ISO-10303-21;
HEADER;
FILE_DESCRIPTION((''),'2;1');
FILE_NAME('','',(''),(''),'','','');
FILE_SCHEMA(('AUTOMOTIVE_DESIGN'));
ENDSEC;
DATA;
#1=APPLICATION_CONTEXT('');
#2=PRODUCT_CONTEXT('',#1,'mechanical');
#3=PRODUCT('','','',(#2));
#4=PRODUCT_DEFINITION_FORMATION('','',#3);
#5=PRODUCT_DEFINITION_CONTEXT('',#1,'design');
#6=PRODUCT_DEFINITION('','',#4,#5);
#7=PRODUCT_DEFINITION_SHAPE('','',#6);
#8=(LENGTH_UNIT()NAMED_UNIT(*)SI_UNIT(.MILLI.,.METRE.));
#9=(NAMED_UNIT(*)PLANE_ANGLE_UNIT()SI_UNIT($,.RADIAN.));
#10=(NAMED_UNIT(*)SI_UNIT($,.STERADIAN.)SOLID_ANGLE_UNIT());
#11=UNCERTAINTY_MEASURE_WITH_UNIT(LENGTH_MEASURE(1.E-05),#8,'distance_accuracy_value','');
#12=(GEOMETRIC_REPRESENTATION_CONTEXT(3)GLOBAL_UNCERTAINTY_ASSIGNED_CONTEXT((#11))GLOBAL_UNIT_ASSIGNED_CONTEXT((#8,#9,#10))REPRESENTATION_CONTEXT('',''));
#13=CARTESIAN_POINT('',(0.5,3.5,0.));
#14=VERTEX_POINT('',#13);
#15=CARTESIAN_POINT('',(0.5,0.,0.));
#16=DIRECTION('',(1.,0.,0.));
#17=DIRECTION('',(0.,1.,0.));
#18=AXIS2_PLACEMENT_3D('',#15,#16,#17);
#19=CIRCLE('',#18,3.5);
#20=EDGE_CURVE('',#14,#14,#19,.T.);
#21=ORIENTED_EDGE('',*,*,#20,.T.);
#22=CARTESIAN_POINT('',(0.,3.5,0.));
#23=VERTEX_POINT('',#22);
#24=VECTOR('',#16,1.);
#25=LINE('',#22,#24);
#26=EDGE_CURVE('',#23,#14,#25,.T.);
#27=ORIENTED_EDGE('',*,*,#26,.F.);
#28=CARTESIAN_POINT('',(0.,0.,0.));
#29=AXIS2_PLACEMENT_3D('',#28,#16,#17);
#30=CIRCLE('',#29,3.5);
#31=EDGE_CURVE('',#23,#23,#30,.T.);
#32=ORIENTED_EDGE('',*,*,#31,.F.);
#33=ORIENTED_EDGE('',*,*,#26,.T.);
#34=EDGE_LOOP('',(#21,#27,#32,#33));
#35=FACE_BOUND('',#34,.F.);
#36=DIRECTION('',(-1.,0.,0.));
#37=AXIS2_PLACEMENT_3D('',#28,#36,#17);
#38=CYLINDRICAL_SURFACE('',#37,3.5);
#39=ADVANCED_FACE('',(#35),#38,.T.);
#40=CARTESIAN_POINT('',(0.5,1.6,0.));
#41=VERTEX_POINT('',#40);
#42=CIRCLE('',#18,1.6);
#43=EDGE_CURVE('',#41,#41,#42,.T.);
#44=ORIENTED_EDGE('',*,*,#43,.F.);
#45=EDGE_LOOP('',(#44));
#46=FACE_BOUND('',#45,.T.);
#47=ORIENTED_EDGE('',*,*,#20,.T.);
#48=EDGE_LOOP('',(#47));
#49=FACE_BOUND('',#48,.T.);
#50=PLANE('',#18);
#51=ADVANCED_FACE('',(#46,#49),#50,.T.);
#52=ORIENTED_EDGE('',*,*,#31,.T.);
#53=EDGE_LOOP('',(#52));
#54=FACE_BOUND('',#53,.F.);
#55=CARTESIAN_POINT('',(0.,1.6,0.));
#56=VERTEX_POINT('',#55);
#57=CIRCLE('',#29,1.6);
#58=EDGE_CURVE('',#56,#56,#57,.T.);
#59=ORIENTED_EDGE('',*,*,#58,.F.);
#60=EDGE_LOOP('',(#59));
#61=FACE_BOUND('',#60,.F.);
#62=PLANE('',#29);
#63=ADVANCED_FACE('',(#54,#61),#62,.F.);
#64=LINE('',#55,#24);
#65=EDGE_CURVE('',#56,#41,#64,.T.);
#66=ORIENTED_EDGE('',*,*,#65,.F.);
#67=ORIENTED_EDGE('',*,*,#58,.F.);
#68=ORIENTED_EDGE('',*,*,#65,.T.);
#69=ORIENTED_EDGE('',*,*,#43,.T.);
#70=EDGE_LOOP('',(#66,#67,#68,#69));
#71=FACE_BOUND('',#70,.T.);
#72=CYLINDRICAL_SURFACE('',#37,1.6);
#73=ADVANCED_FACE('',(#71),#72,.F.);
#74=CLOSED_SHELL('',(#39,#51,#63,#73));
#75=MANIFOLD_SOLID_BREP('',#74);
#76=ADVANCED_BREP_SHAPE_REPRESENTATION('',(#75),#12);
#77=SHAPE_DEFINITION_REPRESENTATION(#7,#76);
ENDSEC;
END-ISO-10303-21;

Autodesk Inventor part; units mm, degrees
ref_plane "YZ Plane" through (0, 0, 0) normal (1, 0, 0) x (0, 1, 0)
ref_plane "XZ Plane" through (0, 0, 0) normal (0, 1, 0) x (-1, 0, 0)
sketch "Sketch" plane through (0, 0, 0) normal (1, 0, 0) x (0, 1, 0)
  circle A0 centre (0, 0) radius 3.5
  circle A1 centre (0, 0) radius 1.6
  dimension "d0" = 3.2
  dimension "d1" = 7
extrude "Body" add sketch "Sketch" along normal blind 0.5
ref_plane "Work Plane1" through (0, 0, 0) normal (0, 0, 1) x (1, 0, 0)
equation "\"d0\" = SD1"
equation "\"d1\" = SD2"
equation "\"d2\" = SD"
equation "\"SD1\" = 3.2"
equation "\"SD2\" = 7"
equation "\"SD\" = 0.5"
equation "\"NND\" = 3"
properties part number "DIN 125 - A 3,2" material "Steel, Mild"
